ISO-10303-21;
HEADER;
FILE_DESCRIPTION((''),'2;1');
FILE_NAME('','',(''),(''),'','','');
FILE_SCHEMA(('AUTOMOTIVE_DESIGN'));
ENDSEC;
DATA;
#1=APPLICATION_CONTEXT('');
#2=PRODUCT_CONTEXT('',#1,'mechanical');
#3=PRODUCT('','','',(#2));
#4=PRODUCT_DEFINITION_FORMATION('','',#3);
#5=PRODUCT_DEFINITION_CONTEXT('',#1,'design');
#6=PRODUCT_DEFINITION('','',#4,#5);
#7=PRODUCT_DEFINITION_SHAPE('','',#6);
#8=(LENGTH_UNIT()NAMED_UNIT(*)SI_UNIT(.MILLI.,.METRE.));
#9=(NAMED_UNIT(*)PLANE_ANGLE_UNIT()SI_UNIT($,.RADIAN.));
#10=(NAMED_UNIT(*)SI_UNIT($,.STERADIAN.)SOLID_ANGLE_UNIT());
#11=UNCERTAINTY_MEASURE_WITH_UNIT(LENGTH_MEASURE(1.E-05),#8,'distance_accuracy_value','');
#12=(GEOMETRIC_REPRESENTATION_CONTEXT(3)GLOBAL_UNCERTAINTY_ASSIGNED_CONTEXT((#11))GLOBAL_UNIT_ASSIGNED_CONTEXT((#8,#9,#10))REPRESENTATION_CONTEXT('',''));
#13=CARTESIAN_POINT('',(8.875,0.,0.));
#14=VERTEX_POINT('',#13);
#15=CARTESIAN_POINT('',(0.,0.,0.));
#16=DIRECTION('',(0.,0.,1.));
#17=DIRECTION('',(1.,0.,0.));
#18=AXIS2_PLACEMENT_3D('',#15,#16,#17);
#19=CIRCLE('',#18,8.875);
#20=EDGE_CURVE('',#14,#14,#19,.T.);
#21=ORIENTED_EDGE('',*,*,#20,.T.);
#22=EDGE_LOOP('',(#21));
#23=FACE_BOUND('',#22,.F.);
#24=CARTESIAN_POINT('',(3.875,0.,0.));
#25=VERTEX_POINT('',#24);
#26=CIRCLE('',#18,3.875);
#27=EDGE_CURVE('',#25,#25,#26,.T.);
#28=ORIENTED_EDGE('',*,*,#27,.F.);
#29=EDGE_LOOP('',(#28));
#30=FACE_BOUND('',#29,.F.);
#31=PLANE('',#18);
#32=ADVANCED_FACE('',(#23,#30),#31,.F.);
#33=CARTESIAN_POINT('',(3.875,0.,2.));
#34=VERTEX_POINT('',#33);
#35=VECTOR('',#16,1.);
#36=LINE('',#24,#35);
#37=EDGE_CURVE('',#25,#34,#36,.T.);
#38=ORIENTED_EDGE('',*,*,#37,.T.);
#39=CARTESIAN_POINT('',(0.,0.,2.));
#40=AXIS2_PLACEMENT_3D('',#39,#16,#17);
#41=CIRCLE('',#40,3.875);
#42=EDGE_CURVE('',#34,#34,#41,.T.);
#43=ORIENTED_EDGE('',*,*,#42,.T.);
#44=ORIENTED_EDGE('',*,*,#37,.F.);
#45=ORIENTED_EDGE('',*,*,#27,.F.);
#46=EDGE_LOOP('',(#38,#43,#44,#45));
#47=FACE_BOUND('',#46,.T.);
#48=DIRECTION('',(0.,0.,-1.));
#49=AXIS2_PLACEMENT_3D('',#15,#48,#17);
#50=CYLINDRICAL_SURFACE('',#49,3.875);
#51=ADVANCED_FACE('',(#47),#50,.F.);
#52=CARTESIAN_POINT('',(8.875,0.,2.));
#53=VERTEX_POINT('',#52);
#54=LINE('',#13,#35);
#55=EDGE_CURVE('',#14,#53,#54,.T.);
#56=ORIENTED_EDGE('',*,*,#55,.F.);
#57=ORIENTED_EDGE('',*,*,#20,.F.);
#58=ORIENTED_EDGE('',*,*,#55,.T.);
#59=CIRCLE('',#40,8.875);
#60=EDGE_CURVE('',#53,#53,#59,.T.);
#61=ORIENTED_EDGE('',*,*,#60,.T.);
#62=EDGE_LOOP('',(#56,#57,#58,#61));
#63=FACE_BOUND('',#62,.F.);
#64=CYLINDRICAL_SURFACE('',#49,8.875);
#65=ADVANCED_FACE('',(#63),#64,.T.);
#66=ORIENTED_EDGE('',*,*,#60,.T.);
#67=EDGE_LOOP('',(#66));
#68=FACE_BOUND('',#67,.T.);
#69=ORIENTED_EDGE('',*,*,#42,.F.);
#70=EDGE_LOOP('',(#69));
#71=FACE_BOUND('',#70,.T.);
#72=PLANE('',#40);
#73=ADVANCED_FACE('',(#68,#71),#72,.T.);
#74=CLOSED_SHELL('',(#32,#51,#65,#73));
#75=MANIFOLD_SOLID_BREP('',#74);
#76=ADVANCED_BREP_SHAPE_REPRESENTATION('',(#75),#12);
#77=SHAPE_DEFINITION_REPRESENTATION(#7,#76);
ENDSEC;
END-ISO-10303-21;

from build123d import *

# Parameters (mm, degrees)
SKETCH_R   = 8.875
SKETCH_R_2 = 3.875
PAD_DEPTH  = 2


with BuildPart() as part:
    # Sketch → Pad (new body)
    with BuildSketch(Plane.XY):
        Circle(SKETCH_R)
        Circle(SKETCH_R_2, mode=Mode.SUBTRACT)
    extrude(amount=PAD_DEPTH)


solid = part.part
